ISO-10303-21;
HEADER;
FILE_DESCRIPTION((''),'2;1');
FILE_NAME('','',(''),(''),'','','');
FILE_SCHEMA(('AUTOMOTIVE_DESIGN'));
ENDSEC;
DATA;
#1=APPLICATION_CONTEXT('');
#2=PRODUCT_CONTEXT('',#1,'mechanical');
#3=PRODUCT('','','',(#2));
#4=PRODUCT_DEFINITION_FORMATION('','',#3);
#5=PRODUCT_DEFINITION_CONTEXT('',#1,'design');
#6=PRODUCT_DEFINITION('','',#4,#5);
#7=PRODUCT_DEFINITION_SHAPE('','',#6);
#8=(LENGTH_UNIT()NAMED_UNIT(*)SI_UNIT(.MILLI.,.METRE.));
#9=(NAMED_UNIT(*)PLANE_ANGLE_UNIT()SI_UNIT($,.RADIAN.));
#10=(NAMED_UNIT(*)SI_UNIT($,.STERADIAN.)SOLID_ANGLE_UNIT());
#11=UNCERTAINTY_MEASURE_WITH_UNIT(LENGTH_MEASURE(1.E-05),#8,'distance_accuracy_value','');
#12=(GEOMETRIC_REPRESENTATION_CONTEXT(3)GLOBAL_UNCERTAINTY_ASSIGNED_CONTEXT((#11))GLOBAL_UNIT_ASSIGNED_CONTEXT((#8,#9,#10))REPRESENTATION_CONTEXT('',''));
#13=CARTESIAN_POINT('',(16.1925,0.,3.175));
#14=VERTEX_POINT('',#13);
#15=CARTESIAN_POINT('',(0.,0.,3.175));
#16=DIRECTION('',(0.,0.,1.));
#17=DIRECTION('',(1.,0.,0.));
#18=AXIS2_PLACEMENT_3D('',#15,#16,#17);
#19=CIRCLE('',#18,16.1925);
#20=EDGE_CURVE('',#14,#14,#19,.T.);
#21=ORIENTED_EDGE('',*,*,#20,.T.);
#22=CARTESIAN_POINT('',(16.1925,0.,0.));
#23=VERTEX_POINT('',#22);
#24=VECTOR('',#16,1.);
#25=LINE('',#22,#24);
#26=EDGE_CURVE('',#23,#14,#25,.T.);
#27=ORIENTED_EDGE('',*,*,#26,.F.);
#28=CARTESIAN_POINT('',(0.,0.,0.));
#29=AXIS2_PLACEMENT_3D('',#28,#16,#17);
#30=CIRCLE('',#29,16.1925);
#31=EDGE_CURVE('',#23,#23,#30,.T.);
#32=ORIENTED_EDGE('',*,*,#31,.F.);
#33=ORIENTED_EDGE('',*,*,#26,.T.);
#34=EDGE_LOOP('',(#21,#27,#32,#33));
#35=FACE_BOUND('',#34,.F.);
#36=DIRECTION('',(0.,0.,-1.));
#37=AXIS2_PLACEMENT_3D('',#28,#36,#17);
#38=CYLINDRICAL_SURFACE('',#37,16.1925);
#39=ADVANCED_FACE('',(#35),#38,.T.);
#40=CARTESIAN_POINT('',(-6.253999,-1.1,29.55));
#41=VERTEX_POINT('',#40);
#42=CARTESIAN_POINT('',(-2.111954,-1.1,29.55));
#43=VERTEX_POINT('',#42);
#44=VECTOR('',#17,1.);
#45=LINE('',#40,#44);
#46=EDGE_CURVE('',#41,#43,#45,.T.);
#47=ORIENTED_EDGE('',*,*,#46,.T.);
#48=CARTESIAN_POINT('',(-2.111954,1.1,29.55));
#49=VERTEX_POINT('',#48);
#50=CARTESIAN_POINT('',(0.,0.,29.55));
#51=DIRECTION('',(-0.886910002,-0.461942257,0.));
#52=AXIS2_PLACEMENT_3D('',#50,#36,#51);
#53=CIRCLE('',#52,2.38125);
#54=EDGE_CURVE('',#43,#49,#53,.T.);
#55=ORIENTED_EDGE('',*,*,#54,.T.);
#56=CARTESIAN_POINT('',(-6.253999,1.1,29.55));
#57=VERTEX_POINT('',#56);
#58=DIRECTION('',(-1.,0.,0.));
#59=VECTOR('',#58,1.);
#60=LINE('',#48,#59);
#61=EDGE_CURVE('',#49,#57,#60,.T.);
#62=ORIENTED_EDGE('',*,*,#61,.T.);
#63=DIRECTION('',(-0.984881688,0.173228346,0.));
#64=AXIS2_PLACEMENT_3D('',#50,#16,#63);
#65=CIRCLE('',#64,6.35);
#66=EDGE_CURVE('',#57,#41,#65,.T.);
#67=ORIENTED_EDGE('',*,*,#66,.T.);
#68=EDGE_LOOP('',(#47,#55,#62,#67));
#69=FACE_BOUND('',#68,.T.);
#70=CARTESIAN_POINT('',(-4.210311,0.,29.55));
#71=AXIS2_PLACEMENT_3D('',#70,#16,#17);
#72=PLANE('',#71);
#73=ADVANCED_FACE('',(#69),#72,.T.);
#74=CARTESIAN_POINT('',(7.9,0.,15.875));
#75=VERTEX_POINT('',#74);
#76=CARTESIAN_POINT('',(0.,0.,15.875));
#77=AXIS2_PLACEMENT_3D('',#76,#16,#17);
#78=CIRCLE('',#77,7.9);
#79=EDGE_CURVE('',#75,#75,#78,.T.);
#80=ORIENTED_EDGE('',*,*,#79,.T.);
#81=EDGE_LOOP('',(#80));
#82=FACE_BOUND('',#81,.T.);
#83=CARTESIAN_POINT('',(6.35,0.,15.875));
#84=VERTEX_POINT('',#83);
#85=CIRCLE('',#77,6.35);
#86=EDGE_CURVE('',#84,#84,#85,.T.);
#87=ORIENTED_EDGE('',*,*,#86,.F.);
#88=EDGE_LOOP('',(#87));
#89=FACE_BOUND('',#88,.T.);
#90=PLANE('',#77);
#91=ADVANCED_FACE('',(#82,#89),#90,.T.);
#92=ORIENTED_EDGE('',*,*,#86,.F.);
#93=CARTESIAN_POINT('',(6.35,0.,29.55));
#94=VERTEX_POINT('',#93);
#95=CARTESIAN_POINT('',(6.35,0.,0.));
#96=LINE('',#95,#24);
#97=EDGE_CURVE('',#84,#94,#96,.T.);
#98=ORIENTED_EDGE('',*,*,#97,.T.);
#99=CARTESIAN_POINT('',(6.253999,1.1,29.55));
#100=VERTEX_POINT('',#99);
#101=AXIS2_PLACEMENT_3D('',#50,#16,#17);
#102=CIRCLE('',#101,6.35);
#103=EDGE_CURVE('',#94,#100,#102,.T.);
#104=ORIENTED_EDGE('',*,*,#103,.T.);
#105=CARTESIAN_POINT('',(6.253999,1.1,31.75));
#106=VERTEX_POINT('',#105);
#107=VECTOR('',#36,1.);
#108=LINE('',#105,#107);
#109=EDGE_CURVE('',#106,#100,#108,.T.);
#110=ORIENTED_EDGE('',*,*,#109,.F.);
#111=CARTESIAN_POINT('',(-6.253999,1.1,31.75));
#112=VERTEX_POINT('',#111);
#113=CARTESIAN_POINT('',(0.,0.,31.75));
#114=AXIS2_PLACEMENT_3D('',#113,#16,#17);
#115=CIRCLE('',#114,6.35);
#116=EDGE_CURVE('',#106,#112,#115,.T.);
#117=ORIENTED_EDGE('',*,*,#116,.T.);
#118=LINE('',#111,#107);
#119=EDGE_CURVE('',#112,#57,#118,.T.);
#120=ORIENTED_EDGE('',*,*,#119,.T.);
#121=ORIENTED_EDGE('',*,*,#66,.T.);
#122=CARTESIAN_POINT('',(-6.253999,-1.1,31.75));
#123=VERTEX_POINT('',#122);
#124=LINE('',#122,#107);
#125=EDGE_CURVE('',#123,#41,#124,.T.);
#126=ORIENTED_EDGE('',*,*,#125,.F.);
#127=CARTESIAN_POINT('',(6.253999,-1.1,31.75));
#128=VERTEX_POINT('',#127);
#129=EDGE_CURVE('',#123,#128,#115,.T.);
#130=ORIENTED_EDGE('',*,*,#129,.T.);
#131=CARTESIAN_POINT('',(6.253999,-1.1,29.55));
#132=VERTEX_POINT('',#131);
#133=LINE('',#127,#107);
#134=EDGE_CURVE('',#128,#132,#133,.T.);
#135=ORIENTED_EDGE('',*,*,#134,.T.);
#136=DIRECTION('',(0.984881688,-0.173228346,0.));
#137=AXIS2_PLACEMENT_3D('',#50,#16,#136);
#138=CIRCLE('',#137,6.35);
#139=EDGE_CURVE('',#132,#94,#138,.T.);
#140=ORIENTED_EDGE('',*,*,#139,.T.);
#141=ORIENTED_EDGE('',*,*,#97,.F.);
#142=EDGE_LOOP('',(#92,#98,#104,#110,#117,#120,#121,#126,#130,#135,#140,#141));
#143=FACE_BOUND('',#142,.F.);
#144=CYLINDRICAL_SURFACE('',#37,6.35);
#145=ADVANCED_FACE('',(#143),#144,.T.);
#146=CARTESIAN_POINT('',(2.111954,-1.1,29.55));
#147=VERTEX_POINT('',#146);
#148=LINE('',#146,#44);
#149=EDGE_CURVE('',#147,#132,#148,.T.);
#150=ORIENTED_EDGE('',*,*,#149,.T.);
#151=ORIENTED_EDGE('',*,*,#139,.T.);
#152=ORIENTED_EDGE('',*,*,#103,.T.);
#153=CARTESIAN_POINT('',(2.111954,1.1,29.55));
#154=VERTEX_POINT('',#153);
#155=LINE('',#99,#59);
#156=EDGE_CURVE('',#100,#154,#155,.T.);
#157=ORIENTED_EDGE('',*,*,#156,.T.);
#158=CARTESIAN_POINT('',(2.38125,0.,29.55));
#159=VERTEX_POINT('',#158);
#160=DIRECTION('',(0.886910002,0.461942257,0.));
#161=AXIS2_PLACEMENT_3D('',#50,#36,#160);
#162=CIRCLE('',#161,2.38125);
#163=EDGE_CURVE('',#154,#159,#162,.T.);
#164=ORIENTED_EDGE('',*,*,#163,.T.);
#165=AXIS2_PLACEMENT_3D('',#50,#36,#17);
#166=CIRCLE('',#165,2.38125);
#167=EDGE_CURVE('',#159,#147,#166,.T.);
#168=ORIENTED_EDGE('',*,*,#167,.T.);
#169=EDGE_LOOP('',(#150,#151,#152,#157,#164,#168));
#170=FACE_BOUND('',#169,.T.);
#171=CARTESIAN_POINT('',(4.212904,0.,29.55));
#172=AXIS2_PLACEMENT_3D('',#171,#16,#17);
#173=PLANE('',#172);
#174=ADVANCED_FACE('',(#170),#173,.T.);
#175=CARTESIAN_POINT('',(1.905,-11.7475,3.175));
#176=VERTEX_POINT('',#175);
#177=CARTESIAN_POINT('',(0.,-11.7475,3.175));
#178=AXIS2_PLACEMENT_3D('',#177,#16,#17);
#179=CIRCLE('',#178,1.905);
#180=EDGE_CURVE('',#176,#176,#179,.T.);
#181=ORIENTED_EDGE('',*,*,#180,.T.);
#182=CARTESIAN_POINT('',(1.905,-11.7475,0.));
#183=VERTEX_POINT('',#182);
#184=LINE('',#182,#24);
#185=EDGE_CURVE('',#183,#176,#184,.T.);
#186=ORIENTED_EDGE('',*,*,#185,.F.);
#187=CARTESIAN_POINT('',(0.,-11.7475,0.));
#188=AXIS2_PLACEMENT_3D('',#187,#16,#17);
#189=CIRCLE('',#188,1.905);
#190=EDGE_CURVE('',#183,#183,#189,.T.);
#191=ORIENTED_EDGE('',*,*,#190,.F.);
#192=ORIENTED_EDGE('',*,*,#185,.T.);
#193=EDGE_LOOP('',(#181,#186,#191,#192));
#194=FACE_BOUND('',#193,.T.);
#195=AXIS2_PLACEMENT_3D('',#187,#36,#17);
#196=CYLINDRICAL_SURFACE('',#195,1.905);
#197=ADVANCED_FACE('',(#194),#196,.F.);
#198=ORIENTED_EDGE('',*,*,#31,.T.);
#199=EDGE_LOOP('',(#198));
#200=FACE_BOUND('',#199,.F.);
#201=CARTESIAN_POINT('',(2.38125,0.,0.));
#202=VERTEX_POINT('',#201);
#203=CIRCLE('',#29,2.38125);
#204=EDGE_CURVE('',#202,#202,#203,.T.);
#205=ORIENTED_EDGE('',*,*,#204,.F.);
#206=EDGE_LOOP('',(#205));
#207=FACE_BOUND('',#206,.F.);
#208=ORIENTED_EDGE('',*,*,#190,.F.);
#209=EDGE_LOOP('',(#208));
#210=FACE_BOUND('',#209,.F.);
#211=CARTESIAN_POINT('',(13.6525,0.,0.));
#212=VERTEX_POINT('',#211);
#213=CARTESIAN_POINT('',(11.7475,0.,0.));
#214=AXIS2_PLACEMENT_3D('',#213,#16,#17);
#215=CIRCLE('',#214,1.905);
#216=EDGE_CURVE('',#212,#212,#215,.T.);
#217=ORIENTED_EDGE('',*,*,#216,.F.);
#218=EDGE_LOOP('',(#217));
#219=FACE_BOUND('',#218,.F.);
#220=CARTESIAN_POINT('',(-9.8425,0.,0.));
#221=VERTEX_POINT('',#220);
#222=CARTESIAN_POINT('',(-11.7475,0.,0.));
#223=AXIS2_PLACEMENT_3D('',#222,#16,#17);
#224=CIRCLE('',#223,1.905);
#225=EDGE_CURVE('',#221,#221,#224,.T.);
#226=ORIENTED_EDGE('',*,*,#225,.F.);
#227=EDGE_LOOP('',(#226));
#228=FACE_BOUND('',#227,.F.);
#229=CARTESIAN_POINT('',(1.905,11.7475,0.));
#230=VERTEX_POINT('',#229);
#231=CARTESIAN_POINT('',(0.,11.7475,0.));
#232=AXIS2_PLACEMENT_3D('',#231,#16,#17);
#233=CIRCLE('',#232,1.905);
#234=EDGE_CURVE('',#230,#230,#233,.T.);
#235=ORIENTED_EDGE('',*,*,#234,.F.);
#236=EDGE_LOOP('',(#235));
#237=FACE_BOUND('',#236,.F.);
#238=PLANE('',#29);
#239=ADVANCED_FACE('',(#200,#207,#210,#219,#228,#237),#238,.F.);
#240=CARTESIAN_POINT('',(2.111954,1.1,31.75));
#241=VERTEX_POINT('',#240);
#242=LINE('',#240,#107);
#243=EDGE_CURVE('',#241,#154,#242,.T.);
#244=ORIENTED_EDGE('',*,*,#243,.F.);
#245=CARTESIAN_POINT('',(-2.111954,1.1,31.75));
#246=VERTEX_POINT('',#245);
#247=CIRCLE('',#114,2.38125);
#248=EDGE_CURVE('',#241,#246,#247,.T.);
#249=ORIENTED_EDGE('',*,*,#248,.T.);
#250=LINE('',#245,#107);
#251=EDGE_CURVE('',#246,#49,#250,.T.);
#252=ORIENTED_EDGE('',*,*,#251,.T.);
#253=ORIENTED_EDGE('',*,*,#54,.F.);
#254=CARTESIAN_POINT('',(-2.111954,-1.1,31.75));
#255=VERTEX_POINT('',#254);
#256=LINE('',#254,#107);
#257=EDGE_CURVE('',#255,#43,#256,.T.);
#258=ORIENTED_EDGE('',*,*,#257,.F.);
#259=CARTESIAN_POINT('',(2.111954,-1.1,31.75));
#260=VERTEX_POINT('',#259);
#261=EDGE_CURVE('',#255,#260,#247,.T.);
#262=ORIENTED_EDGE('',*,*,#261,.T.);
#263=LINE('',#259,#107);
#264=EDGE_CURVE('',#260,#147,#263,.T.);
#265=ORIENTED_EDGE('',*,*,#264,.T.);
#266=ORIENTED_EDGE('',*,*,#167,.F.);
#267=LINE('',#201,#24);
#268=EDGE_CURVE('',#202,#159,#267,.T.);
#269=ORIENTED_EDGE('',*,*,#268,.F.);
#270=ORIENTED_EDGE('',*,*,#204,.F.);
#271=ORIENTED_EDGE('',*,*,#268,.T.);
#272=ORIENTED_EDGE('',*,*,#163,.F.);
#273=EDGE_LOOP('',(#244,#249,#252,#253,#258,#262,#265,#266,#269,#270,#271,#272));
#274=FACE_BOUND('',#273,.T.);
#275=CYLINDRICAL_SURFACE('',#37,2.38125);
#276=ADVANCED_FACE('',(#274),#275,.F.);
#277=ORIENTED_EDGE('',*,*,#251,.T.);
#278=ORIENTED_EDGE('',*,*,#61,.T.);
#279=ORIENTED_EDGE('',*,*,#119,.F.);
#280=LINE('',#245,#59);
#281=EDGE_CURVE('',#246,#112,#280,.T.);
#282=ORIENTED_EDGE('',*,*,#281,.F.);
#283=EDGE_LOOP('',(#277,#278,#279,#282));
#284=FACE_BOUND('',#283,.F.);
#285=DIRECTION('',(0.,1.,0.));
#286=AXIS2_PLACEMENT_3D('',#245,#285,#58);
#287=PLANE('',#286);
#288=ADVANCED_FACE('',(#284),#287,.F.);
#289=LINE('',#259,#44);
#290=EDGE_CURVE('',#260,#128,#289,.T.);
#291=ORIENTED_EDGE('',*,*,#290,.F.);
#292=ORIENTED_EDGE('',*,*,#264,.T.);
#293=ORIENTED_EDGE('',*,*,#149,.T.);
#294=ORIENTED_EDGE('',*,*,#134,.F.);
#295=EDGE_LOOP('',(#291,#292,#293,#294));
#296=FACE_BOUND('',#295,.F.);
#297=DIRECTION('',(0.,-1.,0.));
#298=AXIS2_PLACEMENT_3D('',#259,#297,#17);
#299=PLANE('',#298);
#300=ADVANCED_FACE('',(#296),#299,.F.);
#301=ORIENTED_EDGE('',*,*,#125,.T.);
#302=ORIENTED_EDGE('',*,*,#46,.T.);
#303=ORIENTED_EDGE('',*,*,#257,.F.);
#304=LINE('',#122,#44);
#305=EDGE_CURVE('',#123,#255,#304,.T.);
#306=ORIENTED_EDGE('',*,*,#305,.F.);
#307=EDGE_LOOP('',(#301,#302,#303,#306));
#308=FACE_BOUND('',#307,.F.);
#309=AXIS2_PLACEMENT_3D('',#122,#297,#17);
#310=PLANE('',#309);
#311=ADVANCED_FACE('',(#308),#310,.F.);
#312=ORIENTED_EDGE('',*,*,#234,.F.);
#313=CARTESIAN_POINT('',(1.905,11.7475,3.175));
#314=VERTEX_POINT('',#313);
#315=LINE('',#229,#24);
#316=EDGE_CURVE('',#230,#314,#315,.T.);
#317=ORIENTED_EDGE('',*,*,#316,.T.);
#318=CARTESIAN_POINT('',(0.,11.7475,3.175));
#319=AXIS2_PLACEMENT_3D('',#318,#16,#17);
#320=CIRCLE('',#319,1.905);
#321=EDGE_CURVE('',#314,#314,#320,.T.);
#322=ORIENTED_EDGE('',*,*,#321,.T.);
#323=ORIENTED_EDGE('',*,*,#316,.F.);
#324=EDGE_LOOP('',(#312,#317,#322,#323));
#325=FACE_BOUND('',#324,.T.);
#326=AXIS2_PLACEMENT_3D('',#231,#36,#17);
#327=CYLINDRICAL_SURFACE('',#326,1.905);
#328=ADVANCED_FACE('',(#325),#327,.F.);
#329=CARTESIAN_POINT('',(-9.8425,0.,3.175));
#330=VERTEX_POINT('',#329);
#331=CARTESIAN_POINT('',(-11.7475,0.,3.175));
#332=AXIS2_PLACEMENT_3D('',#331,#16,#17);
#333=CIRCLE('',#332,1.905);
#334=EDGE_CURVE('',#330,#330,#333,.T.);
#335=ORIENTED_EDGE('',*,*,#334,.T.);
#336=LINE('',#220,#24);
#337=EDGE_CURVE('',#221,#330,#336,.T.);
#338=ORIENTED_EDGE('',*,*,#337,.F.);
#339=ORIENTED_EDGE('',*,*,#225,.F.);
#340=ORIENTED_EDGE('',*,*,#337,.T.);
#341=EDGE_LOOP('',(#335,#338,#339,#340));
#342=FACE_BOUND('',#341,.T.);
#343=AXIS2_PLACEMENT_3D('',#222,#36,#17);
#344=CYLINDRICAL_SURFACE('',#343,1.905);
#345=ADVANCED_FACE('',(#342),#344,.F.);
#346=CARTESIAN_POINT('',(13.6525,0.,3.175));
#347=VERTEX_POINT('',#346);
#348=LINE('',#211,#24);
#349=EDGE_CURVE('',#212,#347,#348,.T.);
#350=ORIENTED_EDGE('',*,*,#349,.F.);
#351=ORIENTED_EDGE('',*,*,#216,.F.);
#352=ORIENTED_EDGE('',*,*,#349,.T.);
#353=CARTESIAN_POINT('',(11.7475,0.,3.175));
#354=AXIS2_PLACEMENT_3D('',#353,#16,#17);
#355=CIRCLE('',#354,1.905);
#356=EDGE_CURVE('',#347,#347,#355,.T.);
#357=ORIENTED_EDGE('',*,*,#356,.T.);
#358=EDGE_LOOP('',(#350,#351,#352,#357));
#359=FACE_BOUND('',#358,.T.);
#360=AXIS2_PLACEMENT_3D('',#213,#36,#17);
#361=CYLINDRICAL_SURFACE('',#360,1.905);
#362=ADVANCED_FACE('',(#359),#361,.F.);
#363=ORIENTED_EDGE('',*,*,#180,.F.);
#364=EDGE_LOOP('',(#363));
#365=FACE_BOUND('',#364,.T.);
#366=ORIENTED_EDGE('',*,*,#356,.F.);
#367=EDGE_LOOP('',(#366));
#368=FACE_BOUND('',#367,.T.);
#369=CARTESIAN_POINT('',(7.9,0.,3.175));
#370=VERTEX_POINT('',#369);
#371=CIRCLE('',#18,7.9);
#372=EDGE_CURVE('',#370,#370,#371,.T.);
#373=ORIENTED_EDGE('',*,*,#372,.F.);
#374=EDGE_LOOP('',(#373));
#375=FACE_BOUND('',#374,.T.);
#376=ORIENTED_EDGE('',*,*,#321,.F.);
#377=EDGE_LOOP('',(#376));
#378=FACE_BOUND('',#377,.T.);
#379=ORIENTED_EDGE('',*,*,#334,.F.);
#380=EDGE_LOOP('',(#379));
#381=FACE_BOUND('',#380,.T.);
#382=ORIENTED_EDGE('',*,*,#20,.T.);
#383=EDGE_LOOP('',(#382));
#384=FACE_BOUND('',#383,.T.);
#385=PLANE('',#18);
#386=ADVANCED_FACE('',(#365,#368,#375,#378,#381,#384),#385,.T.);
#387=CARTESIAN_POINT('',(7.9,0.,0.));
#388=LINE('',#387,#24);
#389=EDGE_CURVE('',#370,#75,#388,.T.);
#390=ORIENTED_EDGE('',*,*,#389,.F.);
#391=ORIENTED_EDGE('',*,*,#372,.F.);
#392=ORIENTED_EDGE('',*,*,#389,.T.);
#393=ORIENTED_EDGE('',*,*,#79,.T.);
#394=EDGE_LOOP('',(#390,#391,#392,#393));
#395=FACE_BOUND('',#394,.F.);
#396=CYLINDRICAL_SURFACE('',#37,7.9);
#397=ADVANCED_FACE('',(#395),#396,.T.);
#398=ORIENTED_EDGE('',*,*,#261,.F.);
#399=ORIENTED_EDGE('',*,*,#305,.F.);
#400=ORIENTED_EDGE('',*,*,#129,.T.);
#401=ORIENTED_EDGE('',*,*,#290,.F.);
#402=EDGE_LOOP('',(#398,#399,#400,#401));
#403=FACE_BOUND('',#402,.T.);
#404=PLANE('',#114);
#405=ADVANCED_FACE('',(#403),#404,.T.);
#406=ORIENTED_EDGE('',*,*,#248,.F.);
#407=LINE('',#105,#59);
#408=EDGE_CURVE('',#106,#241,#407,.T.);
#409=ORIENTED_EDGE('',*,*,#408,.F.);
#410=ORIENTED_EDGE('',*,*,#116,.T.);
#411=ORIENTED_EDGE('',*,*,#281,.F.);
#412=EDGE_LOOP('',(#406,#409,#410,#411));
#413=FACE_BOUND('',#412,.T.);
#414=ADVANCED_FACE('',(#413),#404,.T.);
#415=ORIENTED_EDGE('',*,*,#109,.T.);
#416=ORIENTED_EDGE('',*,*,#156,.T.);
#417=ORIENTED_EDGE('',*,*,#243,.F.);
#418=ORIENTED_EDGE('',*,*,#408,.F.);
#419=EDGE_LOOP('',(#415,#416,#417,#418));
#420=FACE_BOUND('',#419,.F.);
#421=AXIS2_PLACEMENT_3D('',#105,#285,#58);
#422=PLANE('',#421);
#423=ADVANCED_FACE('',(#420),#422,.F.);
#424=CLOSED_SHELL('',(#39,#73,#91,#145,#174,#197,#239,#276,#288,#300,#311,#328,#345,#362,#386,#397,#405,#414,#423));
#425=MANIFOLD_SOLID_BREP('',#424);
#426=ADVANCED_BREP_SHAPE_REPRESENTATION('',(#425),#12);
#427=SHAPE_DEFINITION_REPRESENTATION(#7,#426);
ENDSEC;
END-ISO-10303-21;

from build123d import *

# Parameters (mm, degrees)
F0_R     = 7.9
F0_R_2   = 6.35
F1_DEPTH = 15.875
F0_R_3   = 2.38125
F2_DEPTH = 31.75
F0_R_4   = 16.1925
F0_R_5   = 1.905
F4_DEPTH = 3.175
F6_DEPTH = 2.2


with BuildPart() as f1:
    # F0 (on Top) → F1 (new body)
    with BuildSketch(Plane.XY):
        Circle(F0_R)
        Circle(F0_R_2, mode=Mode.SUBTRACT)
    extrude(amount=F1_DEPTH)

    # F0 (on Top) → F2 (join)
    with BuildSketch(Plane.XY):
        Circle(F0_R_2)
        Circle(F0_R_3, mode=Mode.SUBTRACT)
    extrude(amount=F2_DEPTH)

    # F0 (on Top) → F4 (join)
    with BuildSketch(Plane.XY):
        Circle(F0_R_4)
        with Locations((0, -11.7475)):
            Circle(F0_R_5, mode=Mode.SUBTRACT)
        with Locations((-11.7475, 0)):
            Circle(F0_R_5, mode=Mode.SUBTRACT)
        Circle(F0_R, mode=Mode.SUBTRACT)
        with Locations((11.7475, 0)):
            Circle(F0_R_5, mode=Mode.SUBTRACT)
        with Locations((0, 11.7475)):
            Circle(F0_R_5, mode=Mode.SUBTRACT)
    extrude(amount=F4_DEPTH)

    # F5 (on face) → F6 (cut)
    with BuildSketch(Plane.XY.offset(31.75)):
        with BuildLine():
            ThreePointArc((6.35, 0), (6.3259541524, 0.5520906279), (6.2539987208, 1.1))
            Line((6.2539987208, 1.1), (2.1119544414, 1.1))
            ThreePointArc((2.1119544414, 1.1), (2.3129465057, 0.5662420193), (2.38125, 0))
            ThreePointArc((2.38125, 0), (2.3129465057, -0.5662420193), (2.1119544414, -1.1))
            Line((2.1119544414, -1.1), (6.2539987208, -1.1))
            ThreePointArc((6.2539987208, -1.1), (6.3259541524, -0.5520906279), (6.35, 0))
        make_face()
        with BuildLine():
            Line((-2.1119544414, 1.1), (-6.2539987208, 1.1))
            ThreePointArc((-6.2539987208, 1.1), (-6.35, 0), (-6.2539987208, -1.1))
            Line((-6.2539987208, -1.1), (-2.1119544414, -1.1))
            ThreePointArc((-2.1119544414, -1.1), (-2.38125, 0), (-2.1119544414, 1.1))
        make_face()
    extrude(amount=-F6_DEPTH, mode=Mode.SUBTRACT)


solid = f1.part
